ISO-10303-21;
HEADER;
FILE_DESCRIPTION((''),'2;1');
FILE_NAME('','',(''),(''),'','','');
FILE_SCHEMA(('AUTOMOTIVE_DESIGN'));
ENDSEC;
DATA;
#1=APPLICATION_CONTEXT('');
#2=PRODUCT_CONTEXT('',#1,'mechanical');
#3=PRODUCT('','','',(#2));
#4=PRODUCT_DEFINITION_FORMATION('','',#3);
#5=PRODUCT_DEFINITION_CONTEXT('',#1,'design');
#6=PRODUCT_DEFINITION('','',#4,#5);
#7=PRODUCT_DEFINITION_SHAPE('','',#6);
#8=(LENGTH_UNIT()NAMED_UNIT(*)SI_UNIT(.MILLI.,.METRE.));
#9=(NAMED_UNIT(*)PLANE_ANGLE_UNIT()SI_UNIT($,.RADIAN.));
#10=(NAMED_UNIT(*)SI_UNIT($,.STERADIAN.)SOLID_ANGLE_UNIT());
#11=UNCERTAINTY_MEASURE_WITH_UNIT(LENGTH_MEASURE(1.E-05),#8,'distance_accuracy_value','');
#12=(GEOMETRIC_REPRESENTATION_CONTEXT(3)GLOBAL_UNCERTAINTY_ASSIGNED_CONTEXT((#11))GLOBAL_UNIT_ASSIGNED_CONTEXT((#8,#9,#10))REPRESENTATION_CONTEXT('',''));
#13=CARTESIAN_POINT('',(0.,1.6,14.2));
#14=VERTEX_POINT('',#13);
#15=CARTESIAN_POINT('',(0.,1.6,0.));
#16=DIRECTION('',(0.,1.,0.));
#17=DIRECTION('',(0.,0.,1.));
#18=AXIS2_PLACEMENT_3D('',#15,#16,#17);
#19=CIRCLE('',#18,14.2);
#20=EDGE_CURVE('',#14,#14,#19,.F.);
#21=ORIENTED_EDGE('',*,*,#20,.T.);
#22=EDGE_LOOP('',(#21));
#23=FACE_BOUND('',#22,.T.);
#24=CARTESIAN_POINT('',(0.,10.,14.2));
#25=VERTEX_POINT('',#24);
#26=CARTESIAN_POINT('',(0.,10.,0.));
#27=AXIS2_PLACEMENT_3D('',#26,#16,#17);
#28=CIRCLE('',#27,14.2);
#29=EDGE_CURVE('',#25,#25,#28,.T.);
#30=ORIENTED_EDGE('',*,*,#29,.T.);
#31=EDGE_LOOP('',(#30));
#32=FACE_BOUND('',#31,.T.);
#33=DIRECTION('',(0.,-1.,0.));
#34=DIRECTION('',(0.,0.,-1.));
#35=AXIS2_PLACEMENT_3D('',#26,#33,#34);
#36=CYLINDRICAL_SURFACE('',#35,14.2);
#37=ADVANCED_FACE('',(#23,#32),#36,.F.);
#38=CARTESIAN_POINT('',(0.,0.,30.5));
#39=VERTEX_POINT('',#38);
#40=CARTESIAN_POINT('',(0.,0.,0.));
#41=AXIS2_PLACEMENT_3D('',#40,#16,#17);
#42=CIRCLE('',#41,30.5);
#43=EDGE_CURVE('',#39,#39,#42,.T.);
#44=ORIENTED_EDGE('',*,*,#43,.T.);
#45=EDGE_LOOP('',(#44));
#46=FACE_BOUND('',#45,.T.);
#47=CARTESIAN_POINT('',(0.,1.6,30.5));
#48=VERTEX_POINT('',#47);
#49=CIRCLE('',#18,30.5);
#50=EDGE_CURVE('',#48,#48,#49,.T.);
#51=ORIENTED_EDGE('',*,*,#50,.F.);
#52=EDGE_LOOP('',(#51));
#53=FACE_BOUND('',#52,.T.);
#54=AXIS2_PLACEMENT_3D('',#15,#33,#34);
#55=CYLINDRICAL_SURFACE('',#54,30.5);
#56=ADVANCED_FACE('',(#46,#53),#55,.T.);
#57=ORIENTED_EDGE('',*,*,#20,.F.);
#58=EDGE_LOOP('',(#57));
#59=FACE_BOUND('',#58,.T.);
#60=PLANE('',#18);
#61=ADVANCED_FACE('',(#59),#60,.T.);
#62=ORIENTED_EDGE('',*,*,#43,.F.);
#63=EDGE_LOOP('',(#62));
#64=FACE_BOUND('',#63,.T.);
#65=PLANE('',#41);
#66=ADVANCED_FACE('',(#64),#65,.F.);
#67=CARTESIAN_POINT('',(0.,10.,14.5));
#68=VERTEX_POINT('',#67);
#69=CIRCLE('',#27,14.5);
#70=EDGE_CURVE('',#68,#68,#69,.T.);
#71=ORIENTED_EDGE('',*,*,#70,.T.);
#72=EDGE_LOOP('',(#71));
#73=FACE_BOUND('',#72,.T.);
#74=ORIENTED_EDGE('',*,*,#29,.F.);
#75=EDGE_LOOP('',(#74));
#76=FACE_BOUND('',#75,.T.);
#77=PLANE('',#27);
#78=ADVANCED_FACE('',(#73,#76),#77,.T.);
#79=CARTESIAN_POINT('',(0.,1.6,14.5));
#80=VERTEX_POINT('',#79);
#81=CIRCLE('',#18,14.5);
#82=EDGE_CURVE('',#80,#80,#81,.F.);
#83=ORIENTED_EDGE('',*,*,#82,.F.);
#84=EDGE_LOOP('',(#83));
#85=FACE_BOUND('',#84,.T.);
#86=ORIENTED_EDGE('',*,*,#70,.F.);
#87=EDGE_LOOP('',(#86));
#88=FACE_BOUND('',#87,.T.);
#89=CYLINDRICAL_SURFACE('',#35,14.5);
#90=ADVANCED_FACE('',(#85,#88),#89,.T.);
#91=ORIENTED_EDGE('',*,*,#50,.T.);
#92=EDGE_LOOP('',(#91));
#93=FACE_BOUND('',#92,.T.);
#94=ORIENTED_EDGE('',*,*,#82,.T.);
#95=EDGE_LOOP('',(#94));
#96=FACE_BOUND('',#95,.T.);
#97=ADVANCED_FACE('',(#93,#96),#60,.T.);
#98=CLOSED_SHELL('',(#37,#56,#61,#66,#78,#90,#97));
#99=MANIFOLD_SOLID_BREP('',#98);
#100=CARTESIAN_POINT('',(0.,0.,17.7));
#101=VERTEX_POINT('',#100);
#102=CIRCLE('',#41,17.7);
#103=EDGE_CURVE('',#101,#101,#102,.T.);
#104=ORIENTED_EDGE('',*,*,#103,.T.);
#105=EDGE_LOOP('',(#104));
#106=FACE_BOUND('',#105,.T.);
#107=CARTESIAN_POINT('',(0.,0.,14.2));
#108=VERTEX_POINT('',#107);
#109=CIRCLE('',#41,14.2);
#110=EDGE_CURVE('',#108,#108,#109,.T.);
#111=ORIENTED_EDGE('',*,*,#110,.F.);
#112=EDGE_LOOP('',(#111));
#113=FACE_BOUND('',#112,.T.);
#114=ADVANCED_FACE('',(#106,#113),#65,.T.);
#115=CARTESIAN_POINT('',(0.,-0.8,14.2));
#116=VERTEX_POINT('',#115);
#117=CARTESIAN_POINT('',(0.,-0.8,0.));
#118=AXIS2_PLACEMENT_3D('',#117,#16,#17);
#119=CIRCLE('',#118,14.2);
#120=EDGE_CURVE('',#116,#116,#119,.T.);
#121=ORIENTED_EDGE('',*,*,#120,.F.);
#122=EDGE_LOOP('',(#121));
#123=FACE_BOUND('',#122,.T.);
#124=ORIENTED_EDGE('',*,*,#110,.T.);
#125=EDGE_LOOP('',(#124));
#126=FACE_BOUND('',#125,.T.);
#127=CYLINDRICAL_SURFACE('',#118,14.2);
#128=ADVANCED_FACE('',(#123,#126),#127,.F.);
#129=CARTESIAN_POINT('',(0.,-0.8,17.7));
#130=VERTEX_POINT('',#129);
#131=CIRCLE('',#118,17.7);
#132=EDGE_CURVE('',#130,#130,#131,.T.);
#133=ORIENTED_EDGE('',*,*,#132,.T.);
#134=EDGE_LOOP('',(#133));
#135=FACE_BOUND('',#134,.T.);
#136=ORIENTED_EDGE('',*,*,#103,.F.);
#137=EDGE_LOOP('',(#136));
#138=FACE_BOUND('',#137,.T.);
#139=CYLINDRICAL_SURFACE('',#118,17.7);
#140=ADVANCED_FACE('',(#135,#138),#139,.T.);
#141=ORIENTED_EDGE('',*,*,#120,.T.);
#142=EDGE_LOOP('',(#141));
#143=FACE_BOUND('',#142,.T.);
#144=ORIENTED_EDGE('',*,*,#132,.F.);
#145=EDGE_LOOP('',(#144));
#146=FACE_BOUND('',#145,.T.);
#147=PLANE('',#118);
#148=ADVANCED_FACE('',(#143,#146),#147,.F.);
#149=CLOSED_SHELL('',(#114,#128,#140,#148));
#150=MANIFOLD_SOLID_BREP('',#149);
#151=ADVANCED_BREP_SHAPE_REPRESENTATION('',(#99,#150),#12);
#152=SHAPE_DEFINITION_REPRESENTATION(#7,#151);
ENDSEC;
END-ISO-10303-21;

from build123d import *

# Parameters (mm, degrees)
SKETCH_1_R      = 30.5
EXTRUDE_1_DEPTH = 1.6
SKETCH_2_R      = 14.5
SKETCH_2_R_2    = 14.2
EXTRUDE_2_DEPTH = 10
SKETCH_3_R      = 17.7
SKETCH_3_R_2    = 14.2
EXTRUDE_3_DEPTH = 0.8


with BuildPart() as part:
    # 스케치1 → 보스-돌출1 (new body)
    with BuildSketch(Plane(origin=(0, 0, 0), x_dir=(1, 0, 0), z_dir=(0, 1, 0))):
        with Locations(Location((0, 0, 0), (0, 0, 270))):
            Circle(SKETCH_1_R)
    extrude(amount=EXTRUDE_1_DEPTH)

    # 스케치2 → 보스-돌출2 (add)
    with BuildSketch(Plane(origin=(0, 0, 0), x_dir=(1, 0, 0), z_dir=(0, 1, 0))):
        with Locations(Location((0, 0, 0), (0, 0, 270))):
            Circle(SKETCH_2_R)
        with Locations(Location((0, 0, 0), (0, 0, 270))):
            Circle(SKETCH_2_R_2, mode=Mode.SUBTRACT)
    extrude(amount=EXTRUDE_2_DEPTH)


with BuildPart() as body_2:
    # 스케치3 → 보스-돌출3 (new body)
    with BuildSketch(Plane(origin=(0, 0, 0), x_dir=(1, 0, 0), z_dir=(0, 1, 0))):
        with Locations(Location((0, 0, 0), (0, 0, 270))):
            Circle(SKETCH_3_R)
        with Locations(Location((0, 0, 0), (0, 0, 270))):
            Circle(SKETCH_3_R_2, mode=Mode.SUBTRACT)
    extrude(amount=-EXTRUDE_3_DEPTH)


solid = Compound([part.part, body_2.part])
